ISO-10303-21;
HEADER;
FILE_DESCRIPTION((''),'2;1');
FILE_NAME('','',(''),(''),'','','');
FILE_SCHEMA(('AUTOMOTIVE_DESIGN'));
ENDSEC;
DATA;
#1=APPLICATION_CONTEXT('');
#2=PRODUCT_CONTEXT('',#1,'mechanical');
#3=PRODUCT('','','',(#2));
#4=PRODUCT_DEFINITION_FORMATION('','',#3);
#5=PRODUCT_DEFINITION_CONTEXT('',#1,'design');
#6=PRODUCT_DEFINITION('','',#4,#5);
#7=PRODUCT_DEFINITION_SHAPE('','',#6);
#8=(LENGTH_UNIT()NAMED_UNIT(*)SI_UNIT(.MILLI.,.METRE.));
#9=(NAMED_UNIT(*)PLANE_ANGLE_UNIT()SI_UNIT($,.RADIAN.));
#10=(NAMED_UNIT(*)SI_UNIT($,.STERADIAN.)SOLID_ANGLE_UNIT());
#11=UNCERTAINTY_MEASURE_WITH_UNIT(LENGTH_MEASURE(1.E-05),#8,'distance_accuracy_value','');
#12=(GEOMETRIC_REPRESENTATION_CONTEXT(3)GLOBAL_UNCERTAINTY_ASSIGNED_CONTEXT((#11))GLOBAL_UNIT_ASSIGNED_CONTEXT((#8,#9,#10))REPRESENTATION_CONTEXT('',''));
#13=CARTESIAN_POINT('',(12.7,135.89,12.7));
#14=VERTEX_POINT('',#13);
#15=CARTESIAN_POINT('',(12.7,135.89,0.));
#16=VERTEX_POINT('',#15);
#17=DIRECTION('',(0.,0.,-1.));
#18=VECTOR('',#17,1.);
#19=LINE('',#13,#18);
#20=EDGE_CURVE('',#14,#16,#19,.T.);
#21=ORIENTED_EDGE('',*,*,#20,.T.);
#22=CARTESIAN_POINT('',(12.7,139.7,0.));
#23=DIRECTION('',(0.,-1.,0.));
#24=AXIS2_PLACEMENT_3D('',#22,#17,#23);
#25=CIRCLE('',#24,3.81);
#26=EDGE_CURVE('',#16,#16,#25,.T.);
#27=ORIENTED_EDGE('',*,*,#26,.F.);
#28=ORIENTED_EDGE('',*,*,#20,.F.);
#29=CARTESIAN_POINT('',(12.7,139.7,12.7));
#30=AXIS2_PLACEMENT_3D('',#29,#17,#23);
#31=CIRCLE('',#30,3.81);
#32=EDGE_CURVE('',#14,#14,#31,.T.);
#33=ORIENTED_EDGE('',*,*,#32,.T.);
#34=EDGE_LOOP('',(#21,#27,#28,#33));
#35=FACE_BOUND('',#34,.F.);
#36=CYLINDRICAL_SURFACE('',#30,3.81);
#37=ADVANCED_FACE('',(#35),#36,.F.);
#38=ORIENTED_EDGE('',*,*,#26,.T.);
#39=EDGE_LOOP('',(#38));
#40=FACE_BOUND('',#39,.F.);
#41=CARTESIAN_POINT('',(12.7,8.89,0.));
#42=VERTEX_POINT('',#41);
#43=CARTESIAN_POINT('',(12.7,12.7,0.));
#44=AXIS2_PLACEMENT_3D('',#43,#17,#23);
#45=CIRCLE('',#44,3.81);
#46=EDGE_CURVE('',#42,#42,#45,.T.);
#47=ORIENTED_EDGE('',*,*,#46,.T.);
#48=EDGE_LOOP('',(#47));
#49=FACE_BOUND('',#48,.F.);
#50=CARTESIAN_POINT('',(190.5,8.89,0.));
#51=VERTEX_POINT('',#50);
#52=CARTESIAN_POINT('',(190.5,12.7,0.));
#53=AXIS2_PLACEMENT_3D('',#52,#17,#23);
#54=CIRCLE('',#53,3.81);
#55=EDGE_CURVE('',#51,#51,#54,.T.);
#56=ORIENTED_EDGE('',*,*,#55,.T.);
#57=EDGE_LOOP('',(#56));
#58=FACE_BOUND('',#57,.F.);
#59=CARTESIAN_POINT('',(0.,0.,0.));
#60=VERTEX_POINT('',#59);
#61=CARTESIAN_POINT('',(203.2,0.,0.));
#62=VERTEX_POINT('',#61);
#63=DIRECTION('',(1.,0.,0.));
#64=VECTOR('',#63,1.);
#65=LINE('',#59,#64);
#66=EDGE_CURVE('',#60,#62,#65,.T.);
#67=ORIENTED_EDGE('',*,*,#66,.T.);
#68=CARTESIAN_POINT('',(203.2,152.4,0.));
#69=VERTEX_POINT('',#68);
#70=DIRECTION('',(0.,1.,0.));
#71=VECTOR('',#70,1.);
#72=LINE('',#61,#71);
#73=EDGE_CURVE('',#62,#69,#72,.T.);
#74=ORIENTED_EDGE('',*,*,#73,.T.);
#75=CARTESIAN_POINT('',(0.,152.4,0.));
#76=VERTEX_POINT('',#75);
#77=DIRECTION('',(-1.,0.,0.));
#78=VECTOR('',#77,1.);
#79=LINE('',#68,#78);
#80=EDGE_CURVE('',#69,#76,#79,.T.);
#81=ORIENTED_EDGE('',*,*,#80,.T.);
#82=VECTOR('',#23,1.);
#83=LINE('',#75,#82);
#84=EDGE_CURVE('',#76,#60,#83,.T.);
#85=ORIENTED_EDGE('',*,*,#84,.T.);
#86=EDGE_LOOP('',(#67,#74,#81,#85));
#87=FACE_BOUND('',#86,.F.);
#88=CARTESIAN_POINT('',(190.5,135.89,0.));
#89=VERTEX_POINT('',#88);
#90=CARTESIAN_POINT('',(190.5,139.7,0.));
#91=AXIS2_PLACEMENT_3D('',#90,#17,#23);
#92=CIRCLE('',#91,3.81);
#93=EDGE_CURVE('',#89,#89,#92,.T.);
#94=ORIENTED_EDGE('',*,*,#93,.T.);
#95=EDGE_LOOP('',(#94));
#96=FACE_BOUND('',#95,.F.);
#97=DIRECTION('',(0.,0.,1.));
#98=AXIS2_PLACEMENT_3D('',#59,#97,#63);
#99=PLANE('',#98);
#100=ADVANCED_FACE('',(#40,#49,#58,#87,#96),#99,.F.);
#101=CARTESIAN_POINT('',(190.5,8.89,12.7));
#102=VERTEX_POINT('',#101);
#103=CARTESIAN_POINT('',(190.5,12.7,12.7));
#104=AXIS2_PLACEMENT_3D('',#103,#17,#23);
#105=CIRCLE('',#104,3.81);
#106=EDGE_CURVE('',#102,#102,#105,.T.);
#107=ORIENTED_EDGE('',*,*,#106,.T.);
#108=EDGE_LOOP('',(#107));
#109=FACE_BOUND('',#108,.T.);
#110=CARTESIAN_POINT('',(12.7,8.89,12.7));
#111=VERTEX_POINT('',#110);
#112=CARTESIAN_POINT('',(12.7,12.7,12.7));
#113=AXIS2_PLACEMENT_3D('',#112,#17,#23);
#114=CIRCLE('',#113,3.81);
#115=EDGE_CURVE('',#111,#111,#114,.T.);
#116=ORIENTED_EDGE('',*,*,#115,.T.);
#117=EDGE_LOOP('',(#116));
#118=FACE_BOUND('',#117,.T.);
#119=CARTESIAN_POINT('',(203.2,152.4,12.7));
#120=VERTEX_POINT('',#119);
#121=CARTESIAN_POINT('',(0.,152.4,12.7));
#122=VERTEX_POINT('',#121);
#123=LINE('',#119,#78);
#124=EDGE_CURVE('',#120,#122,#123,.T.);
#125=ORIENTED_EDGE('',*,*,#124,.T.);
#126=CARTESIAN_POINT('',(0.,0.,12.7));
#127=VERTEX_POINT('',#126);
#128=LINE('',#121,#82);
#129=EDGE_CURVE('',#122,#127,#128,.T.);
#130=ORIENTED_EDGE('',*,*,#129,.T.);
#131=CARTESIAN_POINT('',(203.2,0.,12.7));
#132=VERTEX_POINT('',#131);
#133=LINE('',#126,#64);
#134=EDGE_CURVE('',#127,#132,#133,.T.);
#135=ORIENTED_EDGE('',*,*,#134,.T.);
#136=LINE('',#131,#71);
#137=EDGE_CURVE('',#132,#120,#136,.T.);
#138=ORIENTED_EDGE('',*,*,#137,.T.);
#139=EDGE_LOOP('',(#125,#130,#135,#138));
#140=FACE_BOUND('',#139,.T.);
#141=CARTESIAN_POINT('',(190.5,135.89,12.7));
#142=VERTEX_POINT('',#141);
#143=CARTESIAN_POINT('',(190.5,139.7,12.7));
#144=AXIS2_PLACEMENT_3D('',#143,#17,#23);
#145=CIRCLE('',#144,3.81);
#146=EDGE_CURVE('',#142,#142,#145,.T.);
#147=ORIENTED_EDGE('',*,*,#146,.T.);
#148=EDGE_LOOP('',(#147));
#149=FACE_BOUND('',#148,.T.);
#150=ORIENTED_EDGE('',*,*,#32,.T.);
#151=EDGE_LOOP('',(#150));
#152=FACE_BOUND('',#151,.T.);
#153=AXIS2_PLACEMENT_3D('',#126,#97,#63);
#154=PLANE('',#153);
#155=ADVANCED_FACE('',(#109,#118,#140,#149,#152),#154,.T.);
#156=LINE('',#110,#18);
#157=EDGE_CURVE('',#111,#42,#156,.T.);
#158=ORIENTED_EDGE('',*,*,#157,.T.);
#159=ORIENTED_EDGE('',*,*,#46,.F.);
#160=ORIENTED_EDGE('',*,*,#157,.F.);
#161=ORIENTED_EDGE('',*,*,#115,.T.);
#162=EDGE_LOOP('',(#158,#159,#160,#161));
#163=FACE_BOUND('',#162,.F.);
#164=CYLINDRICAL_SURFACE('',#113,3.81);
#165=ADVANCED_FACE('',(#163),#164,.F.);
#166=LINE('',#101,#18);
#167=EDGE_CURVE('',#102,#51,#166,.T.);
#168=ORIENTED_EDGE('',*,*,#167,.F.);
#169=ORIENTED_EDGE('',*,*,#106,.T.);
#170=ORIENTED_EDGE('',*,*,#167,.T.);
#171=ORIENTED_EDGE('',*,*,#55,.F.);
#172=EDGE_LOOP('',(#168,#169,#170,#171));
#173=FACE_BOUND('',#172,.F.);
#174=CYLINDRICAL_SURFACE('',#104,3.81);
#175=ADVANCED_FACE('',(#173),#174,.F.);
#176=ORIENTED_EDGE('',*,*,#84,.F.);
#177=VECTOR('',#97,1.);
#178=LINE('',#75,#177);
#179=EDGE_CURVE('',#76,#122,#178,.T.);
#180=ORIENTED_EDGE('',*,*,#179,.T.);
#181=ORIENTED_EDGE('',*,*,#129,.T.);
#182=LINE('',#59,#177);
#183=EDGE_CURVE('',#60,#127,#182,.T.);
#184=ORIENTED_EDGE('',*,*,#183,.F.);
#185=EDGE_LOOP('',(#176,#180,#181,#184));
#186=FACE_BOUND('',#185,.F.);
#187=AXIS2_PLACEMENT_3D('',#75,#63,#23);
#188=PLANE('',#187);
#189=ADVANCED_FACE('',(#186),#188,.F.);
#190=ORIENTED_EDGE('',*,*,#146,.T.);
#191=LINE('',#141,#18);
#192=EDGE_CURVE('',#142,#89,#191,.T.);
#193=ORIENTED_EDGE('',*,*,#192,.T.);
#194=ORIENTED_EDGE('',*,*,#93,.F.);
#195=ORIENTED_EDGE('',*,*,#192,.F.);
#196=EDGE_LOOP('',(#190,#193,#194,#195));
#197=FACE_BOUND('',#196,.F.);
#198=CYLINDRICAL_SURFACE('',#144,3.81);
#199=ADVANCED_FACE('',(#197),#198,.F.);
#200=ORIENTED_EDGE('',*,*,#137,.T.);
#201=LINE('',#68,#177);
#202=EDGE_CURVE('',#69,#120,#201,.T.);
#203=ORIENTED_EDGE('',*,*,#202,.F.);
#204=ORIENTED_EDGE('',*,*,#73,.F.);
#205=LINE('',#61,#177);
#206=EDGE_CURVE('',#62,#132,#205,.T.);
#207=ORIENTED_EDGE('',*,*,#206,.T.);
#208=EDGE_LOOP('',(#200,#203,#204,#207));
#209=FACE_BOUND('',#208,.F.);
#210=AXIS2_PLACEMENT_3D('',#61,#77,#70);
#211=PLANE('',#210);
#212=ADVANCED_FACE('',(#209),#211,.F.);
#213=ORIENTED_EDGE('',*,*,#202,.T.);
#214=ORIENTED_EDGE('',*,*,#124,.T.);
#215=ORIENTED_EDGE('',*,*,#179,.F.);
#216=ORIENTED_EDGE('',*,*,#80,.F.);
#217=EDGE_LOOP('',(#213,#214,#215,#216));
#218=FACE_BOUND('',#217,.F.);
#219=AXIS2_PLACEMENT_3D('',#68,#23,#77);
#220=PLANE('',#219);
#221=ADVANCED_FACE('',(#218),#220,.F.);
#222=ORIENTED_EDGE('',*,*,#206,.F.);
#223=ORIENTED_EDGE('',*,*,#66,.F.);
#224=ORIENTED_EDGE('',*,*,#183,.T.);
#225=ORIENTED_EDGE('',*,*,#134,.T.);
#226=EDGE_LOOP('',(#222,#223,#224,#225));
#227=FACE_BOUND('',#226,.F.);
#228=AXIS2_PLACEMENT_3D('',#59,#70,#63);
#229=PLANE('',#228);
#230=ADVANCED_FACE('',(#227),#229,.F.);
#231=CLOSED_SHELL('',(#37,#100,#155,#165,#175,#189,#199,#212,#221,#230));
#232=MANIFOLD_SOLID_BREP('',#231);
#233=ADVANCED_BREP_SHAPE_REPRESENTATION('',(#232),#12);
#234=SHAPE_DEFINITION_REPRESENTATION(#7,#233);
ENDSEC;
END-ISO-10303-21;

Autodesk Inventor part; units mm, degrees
ref_plane "YZ Plane" through (0, 0, 0) normal (1, 0, 0) x (0, 1, 0)
ref_plane "XZ Plane" through (0, 0, 0) normal (0, 1, 0) x (-1, 0, 0)
ref_plane "XY Plane" through (0, 0, 0) normal (0, 0, 1) x (1, 0, 0)
sketch "Sketch1" plane through (0, 0, 0) normal (0, 0, 1) x (1, 0, 0)
  point P0 (0, 0)
sketch "Sketch2" plane through (0, 0, 0) normal (0, 0, 1) x (1, 0, 0)
  line L0 (0, 0) -> (203.2, 0)
  line L1 (203.2, 0) -> (203.2, 152.4)
  line L2 (203.2, 152.4) -> (0, 152.4)
  line L3 (0, 152.4) -> (0, 0)
  dimension "d1" = 203.2
  dimension "d2" = 152.4
extrude "Extrusion1" add sketch "Sketch2" along normal blind 12.7
sketch "Sketch4" plane through (0, 0, 12.7) normal (0, 0, 1) x (1, 0, 0)
  line L0 (0, 152.4) -> (0, 0) projected
  line L1 (0, 0) -> (12.7, 0)
  line L2 (12.7, 0) -> (12.7, 12.7)
  line L3 (12.7, 12.7) -> (0, 12.7)
  line L4 (0, 12.7) -> (0, 0)
  line L5 (0, 0) -> (203.2, 0) projected
  line L6 (203.2, 0) -> (190.5, 0)
  line L7 (190.5, 0) -> (190.5, 12.7)
  line L8 (190.5, 12.7) -> (203.2, 12.7)
  line L9 (203.2, 12.7) -> (203.2, 0)
  line L10 (203.2, 0) -> (203.2, 152.4) projected
  line L11 (203.2, 152.4) -> (190.5, 152.4)
  line L12 (190.5, 152.4) -> (190.5, 139.7)
  line L13 (190.5, 139.7) -> (203.2, 139.7)
  line L14 (203.2, 139.7) -> (203.2, 152.4)
  line L15 (203.2, 152.4) -> (0, 152.4) projected
  line L16 (0, 152.4) -> (12.7, 152.4)
  line L17 (12.7, 152.4) -> (12.7, 139.7)
  line L18 (12.7, 139.7) -> (0, 139.7)
  line L19 (0, 139.7) -> (0, 152.4)
  dimension "d41" = 12.7
  dimension "d42" = 12.7
  dimension "d43" = 12.7
  dimension "d44" = 12.7
  dimension "d45" = 12.7
  dimension "d46" = 12.7
  dimension "d47" = 12.7
  dimension "d48" = 12.7
hole "Hole2" at (12.7, 139.7, 12.7) at (190.5, 139.7, 12.7) at (190.5, 12.7, 12.7) at (12.7, 12.7, 12.7) direction (0, 0, -1) diameter 7.62 end through all
properties part number "Base Plate"
